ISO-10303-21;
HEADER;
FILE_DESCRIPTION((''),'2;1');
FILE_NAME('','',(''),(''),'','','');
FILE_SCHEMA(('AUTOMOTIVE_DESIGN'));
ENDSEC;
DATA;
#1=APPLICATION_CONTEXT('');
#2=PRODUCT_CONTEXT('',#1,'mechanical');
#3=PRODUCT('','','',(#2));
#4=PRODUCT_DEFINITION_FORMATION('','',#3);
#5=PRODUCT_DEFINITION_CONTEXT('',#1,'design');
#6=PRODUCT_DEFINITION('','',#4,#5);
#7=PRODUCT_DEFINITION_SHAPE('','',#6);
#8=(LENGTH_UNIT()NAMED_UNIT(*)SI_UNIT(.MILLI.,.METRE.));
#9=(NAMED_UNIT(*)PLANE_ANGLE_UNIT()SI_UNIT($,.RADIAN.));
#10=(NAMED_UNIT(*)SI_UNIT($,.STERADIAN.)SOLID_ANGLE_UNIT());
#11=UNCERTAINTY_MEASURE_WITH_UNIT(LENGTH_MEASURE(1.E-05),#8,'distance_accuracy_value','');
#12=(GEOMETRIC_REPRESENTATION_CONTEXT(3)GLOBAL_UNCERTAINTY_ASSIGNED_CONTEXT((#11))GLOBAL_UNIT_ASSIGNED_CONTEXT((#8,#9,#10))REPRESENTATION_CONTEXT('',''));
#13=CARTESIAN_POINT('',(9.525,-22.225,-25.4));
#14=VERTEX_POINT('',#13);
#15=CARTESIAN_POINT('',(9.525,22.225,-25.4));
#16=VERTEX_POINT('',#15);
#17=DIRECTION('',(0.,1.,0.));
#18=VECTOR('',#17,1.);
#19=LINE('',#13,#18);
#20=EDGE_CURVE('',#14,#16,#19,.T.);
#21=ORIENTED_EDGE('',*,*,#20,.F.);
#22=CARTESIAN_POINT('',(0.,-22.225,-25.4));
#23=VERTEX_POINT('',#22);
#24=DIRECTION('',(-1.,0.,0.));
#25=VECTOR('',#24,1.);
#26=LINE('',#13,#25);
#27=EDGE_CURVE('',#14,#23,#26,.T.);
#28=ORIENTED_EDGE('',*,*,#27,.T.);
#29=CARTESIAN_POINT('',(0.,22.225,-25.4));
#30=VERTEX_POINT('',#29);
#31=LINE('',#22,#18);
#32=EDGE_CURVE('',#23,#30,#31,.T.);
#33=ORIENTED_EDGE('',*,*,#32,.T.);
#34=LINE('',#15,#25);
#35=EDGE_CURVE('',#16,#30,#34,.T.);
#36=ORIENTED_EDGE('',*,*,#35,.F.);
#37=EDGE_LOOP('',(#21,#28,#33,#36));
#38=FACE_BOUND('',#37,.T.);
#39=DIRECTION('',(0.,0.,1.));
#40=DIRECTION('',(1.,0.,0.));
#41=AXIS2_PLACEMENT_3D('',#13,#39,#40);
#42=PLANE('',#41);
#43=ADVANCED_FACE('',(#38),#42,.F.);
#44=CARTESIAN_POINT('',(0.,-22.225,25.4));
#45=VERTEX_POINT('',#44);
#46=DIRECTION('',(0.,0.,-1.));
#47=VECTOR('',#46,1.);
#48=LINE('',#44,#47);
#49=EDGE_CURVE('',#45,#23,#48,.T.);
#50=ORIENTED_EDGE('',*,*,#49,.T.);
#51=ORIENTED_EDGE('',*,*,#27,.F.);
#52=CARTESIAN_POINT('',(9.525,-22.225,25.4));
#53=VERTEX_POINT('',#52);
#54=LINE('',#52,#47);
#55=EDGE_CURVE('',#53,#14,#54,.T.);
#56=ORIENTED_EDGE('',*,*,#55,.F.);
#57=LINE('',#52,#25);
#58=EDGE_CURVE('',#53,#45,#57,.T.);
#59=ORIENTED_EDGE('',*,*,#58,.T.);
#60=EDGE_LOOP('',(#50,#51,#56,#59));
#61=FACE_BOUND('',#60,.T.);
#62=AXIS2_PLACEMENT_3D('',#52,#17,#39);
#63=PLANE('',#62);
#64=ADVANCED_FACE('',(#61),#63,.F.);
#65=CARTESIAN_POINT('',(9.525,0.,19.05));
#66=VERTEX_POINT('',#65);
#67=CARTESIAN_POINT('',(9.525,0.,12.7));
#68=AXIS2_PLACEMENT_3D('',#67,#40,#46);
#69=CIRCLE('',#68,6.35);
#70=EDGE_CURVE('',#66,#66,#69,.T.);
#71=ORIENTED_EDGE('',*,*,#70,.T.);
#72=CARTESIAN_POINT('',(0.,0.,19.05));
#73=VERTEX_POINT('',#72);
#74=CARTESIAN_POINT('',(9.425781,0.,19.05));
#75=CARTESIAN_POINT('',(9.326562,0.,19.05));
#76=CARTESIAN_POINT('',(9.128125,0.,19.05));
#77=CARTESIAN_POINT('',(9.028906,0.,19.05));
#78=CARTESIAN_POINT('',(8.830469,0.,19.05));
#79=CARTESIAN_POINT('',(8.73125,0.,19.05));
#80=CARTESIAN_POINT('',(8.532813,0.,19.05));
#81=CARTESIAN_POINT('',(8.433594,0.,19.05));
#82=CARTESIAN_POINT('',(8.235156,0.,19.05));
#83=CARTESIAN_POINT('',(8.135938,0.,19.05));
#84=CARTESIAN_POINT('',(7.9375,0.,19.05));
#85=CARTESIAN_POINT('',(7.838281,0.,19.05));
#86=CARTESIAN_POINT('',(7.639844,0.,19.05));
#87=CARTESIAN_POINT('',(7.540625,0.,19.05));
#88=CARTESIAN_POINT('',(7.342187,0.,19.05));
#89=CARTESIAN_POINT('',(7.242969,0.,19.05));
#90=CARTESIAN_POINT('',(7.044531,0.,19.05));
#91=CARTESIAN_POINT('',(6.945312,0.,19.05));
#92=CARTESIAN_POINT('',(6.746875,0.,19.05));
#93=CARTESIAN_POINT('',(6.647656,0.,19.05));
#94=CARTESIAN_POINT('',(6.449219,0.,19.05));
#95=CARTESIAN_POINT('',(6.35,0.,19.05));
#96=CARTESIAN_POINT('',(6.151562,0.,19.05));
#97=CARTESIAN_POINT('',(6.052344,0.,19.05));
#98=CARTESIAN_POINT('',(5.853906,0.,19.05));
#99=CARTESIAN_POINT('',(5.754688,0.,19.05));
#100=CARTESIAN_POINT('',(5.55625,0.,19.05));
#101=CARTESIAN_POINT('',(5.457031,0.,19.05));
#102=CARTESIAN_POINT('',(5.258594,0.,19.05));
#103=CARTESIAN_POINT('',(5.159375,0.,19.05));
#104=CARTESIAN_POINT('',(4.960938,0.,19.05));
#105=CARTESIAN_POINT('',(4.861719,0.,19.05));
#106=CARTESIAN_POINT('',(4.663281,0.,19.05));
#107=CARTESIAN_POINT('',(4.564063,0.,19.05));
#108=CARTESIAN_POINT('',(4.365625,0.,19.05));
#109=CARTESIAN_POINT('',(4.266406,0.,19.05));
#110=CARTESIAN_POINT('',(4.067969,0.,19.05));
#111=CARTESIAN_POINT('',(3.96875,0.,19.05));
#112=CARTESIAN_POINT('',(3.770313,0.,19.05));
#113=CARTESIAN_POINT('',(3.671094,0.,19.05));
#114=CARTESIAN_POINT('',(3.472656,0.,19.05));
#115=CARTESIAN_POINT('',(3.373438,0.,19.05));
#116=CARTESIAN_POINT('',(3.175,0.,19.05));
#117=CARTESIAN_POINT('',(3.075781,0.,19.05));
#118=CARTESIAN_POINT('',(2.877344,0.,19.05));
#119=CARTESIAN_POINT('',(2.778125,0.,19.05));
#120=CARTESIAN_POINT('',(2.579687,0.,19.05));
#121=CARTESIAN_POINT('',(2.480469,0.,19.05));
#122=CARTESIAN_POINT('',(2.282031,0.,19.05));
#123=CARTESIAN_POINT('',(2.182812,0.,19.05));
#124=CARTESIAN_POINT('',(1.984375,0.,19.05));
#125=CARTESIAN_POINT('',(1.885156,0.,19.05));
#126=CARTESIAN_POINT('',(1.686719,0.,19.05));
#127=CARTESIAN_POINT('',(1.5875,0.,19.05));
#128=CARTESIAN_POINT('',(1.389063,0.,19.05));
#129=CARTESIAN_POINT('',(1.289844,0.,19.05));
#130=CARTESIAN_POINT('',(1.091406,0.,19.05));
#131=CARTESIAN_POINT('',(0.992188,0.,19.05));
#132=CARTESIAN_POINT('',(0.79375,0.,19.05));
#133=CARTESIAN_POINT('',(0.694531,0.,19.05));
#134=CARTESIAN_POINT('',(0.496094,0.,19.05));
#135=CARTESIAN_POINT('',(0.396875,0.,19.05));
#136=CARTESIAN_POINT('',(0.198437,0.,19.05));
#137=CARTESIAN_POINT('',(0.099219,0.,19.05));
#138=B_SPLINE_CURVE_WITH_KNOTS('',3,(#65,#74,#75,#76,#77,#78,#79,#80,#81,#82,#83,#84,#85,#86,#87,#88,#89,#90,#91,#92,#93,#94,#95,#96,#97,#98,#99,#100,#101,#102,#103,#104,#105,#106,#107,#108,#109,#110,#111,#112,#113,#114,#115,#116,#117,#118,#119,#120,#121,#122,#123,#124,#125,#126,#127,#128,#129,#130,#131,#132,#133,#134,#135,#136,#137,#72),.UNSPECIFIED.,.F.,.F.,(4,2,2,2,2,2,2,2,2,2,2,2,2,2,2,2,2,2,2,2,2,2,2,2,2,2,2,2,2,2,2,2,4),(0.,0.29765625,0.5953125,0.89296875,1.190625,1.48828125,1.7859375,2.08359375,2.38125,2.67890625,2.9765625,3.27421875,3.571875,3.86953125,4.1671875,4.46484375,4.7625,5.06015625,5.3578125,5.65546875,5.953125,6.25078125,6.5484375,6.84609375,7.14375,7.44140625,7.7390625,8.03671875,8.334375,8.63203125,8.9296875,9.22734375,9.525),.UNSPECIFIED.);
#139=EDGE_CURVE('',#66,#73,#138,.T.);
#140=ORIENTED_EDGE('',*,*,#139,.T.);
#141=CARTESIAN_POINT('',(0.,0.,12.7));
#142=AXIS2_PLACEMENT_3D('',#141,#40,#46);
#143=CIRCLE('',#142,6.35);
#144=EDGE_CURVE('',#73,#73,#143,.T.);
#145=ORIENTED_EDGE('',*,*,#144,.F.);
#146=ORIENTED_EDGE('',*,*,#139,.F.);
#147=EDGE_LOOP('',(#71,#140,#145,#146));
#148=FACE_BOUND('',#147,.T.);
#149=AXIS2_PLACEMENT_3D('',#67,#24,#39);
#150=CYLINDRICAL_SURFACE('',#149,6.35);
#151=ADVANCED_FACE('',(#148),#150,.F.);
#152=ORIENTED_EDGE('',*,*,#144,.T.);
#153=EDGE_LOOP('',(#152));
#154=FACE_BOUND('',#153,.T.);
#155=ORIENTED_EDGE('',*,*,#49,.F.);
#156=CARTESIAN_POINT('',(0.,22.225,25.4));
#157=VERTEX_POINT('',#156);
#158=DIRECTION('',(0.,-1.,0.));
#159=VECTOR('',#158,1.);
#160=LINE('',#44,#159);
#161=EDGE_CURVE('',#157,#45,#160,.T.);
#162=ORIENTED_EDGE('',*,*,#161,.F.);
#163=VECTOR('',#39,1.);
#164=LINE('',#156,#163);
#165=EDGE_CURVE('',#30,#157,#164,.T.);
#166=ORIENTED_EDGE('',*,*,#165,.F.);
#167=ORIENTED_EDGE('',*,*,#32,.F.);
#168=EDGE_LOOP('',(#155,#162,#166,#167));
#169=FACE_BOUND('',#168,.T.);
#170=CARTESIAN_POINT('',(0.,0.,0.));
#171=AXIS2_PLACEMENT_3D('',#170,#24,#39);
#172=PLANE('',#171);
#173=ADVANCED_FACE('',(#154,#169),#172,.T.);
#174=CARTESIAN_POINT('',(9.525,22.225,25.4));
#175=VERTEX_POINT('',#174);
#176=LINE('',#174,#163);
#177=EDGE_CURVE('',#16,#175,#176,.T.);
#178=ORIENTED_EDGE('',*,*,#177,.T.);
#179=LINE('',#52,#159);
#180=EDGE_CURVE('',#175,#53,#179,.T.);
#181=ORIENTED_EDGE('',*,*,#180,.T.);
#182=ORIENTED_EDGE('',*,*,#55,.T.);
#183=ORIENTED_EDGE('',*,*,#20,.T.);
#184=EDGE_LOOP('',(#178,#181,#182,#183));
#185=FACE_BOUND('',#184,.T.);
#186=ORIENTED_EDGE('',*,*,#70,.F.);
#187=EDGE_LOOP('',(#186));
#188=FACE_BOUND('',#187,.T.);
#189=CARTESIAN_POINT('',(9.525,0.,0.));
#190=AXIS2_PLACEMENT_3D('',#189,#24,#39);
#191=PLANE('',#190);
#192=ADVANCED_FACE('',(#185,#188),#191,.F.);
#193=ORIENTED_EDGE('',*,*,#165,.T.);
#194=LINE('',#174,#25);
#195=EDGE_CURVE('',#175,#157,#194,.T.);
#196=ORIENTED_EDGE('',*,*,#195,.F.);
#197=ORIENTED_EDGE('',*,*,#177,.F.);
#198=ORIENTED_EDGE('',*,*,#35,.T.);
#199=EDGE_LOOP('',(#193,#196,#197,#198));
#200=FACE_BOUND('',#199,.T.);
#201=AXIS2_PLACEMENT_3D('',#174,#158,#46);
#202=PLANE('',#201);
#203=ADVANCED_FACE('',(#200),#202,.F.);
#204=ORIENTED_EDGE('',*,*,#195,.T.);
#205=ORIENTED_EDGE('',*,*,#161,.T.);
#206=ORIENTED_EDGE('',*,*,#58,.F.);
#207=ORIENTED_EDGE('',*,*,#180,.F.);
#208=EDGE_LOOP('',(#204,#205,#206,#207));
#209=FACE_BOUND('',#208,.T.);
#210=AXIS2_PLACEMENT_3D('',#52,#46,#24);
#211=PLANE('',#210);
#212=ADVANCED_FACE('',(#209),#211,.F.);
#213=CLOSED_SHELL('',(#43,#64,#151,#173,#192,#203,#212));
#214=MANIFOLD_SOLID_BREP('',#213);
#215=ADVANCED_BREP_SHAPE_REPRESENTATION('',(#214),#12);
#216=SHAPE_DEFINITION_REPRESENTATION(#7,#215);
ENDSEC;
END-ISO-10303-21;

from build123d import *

# Parameters (mm, degrees)
SKETCH1_W           = 50.8
SKETCH1_H           = 44.45
SKETCH1_R           = 6.35
BOSS_EXTRUDE1_DEPTH = 9.525


with BuildPart() as part:
    # Sketch1 → Boss-Extrude1 (new body)
    with BuildSketch(Plane(origin=(0, 0, 0), x_dir=(0, 0, -1), z_dir=(1, 0, 0))):
        Rectangle(SKETCH1_W, SKETCH1_H)
        with Locations(Location((-12.7, 0, 0), (0, 0, 180))):
            Circle(SKETCH1_R, mode=Mode.SUBTRACT)
    extrude(amount=BOSS_EXTRUDE1_DEPTH)


solid = part.part
